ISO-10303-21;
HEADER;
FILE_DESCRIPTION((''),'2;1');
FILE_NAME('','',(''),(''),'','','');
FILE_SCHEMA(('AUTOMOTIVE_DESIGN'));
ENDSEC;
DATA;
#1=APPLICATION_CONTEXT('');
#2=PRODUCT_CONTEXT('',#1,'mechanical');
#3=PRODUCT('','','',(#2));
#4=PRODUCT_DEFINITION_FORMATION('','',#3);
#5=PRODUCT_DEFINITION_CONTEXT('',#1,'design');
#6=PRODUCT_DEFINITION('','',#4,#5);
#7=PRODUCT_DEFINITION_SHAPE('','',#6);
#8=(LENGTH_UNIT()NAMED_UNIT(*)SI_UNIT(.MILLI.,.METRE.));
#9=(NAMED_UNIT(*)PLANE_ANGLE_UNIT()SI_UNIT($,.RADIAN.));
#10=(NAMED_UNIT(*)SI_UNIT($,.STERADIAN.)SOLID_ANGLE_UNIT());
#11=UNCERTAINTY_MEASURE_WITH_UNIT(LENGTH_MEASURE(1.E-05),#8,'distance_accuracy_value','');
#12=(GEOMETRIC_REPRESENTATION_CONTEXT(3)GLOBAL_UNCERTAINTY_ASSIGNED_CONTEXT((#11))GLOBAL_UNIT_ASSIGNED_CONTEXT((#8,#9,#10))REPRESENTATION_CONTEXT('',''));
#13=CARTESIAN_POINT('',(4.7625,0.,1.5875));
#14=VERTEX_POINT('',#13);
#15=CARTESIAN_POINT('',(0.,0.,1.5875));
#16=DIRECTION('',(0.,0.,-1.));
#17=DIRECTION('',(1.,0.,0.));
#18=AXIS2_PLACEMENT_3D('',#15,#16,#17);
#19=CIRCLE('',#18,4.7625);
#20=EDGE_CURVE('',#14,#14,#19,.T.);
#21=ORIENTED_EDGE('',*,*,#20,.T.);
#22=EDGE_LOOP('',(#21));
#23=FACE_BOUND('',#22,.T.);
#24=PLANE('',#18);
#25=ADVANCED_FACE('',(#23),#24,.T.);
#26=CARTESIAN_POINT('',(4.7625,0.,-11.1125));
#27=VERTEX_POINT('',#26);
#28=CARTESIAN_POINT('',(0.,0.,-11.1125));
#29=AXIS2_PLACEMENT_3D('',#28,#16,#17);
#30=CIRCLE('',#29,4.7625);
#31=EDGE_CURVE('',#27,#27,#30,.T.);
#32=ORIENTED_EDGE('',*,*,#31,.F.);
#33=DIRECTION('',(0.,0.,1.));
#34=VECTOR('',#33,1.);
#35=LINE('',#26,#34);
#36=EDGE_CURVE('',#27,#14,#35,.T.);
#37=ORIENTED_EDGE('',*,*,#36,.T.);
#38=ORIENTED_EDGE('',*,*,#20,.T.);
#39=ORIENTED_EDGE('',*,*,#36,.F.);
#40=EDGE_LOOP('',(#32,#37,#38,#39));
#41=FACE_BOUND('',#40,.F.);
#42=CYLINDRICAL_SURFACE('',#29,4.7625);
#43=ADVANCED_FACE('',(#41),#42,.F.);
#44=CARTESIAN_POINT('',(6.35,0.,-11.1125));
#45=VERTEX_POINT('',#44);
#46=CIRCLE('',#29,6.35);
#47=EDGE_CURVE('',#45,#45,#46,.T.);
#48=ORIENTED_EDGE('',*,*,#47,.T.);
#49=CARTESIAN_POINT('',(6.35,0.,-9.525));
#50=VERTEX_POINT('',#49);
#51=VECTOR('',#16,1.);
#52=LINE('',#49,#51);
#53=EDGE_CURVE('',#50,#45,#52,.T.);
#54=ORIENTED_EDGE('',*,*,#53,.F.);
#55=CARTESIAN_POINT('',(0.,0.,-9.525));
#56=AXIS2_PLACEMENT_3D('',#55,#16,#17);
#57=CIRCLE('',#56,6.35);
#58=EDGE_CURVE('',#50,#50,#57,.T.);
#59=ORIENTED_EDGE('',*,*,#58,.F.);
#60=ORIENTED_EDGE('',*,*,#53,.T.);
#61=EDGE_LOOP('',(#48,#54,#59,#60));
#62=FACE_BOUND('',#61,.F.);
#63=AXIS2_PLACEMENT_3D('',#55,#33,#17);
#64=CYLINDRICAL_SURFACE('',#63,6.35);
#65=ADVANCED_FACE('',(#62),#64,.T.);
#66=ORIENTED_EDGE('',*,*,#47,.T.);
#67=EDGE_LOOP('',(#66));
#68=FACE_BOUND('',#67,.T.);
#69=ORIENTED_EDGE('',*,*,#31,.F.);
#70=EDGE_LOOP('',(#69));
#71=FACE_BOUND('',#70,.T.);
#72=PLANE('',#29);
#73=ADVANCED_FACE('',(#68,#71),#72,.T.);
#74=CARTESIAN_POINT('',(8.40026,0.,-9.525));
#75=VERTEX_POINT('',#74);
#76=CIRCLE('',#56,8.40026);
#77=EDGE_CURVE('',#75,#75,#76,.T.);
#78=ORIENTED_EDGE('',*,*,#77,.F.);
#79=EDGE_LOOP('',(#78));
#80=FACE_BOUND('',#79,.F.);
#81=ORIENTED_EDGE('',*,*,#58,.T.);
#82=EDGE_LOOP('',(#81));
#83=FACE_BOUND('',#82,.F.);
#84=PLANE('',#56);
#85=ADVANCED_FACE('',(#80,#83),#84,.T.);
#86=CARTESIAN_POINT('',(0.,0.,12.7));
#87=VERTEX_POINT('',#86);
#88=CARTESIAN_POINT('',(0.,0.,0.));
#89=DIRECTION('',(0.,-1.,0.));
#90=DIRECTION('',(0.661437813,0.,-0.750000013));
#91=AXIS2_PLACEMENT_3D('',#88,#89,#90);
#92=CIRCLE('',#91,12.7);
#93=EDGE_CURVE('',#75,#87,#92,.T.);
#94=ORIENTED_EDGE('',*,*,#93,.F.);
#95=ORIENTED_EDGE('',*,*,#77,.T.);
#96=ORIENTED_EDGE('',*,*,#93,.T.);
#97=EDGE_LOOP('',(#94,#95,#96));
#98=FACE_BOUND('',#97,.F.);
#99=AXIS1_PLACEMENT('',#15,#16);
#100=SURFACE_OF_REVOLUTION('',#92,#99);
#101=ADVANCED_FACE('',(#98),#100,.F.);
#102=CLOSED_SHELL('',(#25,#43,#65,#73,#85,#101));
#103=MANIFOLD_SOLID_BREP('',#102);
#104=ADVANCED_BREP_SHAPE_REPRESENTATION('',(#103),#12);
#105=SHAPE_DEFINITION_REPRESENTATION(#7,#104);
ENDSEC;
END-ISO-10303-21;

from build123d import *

# Parameters (mm, degrees)
F2_R     = 6.35
F3_DEPTH = 1.5875
F4_R     = 4.7625
F5_DEPTH = 12.7


with BuildPart() as f1:
    # F0 (on Front) → F1 (revolve)
    with BuildSketch(Plane.XZ):
        with BuildLine():
            ThreePointArc((8.40026, -9.525), (11.879762, 4.490128), (0, 12.7))
            Line((0, 12.7), (0, -9.525))
            Line((0, -9.525), (8.40026, -9.525))
        make_face()
    revolve(axis=Axis((0, 0, 1.5875), (0, 0, -1)))

    # F2 (on face) → F3 (join)
    with BuildSketch(Plane(origin=(0, 0, -9.525), x_dir=(1, 0, 0), z_dir=(0, 0, -1))):
        Circle(F2_R)
    extrude(amount=F3_DEPTH)

    # F4 (on face) → F5 (cut)
    with BuildSketch(Plane(origin=(0, 0, -11.1125), x_dir=(1, 0, 0), z_dir=(0, 0, -1))):
        Circle(F4_R)
    extrude(amount=-F5_DEPTH, mode=Mode.SUBTRACT)


solid = f1.part
